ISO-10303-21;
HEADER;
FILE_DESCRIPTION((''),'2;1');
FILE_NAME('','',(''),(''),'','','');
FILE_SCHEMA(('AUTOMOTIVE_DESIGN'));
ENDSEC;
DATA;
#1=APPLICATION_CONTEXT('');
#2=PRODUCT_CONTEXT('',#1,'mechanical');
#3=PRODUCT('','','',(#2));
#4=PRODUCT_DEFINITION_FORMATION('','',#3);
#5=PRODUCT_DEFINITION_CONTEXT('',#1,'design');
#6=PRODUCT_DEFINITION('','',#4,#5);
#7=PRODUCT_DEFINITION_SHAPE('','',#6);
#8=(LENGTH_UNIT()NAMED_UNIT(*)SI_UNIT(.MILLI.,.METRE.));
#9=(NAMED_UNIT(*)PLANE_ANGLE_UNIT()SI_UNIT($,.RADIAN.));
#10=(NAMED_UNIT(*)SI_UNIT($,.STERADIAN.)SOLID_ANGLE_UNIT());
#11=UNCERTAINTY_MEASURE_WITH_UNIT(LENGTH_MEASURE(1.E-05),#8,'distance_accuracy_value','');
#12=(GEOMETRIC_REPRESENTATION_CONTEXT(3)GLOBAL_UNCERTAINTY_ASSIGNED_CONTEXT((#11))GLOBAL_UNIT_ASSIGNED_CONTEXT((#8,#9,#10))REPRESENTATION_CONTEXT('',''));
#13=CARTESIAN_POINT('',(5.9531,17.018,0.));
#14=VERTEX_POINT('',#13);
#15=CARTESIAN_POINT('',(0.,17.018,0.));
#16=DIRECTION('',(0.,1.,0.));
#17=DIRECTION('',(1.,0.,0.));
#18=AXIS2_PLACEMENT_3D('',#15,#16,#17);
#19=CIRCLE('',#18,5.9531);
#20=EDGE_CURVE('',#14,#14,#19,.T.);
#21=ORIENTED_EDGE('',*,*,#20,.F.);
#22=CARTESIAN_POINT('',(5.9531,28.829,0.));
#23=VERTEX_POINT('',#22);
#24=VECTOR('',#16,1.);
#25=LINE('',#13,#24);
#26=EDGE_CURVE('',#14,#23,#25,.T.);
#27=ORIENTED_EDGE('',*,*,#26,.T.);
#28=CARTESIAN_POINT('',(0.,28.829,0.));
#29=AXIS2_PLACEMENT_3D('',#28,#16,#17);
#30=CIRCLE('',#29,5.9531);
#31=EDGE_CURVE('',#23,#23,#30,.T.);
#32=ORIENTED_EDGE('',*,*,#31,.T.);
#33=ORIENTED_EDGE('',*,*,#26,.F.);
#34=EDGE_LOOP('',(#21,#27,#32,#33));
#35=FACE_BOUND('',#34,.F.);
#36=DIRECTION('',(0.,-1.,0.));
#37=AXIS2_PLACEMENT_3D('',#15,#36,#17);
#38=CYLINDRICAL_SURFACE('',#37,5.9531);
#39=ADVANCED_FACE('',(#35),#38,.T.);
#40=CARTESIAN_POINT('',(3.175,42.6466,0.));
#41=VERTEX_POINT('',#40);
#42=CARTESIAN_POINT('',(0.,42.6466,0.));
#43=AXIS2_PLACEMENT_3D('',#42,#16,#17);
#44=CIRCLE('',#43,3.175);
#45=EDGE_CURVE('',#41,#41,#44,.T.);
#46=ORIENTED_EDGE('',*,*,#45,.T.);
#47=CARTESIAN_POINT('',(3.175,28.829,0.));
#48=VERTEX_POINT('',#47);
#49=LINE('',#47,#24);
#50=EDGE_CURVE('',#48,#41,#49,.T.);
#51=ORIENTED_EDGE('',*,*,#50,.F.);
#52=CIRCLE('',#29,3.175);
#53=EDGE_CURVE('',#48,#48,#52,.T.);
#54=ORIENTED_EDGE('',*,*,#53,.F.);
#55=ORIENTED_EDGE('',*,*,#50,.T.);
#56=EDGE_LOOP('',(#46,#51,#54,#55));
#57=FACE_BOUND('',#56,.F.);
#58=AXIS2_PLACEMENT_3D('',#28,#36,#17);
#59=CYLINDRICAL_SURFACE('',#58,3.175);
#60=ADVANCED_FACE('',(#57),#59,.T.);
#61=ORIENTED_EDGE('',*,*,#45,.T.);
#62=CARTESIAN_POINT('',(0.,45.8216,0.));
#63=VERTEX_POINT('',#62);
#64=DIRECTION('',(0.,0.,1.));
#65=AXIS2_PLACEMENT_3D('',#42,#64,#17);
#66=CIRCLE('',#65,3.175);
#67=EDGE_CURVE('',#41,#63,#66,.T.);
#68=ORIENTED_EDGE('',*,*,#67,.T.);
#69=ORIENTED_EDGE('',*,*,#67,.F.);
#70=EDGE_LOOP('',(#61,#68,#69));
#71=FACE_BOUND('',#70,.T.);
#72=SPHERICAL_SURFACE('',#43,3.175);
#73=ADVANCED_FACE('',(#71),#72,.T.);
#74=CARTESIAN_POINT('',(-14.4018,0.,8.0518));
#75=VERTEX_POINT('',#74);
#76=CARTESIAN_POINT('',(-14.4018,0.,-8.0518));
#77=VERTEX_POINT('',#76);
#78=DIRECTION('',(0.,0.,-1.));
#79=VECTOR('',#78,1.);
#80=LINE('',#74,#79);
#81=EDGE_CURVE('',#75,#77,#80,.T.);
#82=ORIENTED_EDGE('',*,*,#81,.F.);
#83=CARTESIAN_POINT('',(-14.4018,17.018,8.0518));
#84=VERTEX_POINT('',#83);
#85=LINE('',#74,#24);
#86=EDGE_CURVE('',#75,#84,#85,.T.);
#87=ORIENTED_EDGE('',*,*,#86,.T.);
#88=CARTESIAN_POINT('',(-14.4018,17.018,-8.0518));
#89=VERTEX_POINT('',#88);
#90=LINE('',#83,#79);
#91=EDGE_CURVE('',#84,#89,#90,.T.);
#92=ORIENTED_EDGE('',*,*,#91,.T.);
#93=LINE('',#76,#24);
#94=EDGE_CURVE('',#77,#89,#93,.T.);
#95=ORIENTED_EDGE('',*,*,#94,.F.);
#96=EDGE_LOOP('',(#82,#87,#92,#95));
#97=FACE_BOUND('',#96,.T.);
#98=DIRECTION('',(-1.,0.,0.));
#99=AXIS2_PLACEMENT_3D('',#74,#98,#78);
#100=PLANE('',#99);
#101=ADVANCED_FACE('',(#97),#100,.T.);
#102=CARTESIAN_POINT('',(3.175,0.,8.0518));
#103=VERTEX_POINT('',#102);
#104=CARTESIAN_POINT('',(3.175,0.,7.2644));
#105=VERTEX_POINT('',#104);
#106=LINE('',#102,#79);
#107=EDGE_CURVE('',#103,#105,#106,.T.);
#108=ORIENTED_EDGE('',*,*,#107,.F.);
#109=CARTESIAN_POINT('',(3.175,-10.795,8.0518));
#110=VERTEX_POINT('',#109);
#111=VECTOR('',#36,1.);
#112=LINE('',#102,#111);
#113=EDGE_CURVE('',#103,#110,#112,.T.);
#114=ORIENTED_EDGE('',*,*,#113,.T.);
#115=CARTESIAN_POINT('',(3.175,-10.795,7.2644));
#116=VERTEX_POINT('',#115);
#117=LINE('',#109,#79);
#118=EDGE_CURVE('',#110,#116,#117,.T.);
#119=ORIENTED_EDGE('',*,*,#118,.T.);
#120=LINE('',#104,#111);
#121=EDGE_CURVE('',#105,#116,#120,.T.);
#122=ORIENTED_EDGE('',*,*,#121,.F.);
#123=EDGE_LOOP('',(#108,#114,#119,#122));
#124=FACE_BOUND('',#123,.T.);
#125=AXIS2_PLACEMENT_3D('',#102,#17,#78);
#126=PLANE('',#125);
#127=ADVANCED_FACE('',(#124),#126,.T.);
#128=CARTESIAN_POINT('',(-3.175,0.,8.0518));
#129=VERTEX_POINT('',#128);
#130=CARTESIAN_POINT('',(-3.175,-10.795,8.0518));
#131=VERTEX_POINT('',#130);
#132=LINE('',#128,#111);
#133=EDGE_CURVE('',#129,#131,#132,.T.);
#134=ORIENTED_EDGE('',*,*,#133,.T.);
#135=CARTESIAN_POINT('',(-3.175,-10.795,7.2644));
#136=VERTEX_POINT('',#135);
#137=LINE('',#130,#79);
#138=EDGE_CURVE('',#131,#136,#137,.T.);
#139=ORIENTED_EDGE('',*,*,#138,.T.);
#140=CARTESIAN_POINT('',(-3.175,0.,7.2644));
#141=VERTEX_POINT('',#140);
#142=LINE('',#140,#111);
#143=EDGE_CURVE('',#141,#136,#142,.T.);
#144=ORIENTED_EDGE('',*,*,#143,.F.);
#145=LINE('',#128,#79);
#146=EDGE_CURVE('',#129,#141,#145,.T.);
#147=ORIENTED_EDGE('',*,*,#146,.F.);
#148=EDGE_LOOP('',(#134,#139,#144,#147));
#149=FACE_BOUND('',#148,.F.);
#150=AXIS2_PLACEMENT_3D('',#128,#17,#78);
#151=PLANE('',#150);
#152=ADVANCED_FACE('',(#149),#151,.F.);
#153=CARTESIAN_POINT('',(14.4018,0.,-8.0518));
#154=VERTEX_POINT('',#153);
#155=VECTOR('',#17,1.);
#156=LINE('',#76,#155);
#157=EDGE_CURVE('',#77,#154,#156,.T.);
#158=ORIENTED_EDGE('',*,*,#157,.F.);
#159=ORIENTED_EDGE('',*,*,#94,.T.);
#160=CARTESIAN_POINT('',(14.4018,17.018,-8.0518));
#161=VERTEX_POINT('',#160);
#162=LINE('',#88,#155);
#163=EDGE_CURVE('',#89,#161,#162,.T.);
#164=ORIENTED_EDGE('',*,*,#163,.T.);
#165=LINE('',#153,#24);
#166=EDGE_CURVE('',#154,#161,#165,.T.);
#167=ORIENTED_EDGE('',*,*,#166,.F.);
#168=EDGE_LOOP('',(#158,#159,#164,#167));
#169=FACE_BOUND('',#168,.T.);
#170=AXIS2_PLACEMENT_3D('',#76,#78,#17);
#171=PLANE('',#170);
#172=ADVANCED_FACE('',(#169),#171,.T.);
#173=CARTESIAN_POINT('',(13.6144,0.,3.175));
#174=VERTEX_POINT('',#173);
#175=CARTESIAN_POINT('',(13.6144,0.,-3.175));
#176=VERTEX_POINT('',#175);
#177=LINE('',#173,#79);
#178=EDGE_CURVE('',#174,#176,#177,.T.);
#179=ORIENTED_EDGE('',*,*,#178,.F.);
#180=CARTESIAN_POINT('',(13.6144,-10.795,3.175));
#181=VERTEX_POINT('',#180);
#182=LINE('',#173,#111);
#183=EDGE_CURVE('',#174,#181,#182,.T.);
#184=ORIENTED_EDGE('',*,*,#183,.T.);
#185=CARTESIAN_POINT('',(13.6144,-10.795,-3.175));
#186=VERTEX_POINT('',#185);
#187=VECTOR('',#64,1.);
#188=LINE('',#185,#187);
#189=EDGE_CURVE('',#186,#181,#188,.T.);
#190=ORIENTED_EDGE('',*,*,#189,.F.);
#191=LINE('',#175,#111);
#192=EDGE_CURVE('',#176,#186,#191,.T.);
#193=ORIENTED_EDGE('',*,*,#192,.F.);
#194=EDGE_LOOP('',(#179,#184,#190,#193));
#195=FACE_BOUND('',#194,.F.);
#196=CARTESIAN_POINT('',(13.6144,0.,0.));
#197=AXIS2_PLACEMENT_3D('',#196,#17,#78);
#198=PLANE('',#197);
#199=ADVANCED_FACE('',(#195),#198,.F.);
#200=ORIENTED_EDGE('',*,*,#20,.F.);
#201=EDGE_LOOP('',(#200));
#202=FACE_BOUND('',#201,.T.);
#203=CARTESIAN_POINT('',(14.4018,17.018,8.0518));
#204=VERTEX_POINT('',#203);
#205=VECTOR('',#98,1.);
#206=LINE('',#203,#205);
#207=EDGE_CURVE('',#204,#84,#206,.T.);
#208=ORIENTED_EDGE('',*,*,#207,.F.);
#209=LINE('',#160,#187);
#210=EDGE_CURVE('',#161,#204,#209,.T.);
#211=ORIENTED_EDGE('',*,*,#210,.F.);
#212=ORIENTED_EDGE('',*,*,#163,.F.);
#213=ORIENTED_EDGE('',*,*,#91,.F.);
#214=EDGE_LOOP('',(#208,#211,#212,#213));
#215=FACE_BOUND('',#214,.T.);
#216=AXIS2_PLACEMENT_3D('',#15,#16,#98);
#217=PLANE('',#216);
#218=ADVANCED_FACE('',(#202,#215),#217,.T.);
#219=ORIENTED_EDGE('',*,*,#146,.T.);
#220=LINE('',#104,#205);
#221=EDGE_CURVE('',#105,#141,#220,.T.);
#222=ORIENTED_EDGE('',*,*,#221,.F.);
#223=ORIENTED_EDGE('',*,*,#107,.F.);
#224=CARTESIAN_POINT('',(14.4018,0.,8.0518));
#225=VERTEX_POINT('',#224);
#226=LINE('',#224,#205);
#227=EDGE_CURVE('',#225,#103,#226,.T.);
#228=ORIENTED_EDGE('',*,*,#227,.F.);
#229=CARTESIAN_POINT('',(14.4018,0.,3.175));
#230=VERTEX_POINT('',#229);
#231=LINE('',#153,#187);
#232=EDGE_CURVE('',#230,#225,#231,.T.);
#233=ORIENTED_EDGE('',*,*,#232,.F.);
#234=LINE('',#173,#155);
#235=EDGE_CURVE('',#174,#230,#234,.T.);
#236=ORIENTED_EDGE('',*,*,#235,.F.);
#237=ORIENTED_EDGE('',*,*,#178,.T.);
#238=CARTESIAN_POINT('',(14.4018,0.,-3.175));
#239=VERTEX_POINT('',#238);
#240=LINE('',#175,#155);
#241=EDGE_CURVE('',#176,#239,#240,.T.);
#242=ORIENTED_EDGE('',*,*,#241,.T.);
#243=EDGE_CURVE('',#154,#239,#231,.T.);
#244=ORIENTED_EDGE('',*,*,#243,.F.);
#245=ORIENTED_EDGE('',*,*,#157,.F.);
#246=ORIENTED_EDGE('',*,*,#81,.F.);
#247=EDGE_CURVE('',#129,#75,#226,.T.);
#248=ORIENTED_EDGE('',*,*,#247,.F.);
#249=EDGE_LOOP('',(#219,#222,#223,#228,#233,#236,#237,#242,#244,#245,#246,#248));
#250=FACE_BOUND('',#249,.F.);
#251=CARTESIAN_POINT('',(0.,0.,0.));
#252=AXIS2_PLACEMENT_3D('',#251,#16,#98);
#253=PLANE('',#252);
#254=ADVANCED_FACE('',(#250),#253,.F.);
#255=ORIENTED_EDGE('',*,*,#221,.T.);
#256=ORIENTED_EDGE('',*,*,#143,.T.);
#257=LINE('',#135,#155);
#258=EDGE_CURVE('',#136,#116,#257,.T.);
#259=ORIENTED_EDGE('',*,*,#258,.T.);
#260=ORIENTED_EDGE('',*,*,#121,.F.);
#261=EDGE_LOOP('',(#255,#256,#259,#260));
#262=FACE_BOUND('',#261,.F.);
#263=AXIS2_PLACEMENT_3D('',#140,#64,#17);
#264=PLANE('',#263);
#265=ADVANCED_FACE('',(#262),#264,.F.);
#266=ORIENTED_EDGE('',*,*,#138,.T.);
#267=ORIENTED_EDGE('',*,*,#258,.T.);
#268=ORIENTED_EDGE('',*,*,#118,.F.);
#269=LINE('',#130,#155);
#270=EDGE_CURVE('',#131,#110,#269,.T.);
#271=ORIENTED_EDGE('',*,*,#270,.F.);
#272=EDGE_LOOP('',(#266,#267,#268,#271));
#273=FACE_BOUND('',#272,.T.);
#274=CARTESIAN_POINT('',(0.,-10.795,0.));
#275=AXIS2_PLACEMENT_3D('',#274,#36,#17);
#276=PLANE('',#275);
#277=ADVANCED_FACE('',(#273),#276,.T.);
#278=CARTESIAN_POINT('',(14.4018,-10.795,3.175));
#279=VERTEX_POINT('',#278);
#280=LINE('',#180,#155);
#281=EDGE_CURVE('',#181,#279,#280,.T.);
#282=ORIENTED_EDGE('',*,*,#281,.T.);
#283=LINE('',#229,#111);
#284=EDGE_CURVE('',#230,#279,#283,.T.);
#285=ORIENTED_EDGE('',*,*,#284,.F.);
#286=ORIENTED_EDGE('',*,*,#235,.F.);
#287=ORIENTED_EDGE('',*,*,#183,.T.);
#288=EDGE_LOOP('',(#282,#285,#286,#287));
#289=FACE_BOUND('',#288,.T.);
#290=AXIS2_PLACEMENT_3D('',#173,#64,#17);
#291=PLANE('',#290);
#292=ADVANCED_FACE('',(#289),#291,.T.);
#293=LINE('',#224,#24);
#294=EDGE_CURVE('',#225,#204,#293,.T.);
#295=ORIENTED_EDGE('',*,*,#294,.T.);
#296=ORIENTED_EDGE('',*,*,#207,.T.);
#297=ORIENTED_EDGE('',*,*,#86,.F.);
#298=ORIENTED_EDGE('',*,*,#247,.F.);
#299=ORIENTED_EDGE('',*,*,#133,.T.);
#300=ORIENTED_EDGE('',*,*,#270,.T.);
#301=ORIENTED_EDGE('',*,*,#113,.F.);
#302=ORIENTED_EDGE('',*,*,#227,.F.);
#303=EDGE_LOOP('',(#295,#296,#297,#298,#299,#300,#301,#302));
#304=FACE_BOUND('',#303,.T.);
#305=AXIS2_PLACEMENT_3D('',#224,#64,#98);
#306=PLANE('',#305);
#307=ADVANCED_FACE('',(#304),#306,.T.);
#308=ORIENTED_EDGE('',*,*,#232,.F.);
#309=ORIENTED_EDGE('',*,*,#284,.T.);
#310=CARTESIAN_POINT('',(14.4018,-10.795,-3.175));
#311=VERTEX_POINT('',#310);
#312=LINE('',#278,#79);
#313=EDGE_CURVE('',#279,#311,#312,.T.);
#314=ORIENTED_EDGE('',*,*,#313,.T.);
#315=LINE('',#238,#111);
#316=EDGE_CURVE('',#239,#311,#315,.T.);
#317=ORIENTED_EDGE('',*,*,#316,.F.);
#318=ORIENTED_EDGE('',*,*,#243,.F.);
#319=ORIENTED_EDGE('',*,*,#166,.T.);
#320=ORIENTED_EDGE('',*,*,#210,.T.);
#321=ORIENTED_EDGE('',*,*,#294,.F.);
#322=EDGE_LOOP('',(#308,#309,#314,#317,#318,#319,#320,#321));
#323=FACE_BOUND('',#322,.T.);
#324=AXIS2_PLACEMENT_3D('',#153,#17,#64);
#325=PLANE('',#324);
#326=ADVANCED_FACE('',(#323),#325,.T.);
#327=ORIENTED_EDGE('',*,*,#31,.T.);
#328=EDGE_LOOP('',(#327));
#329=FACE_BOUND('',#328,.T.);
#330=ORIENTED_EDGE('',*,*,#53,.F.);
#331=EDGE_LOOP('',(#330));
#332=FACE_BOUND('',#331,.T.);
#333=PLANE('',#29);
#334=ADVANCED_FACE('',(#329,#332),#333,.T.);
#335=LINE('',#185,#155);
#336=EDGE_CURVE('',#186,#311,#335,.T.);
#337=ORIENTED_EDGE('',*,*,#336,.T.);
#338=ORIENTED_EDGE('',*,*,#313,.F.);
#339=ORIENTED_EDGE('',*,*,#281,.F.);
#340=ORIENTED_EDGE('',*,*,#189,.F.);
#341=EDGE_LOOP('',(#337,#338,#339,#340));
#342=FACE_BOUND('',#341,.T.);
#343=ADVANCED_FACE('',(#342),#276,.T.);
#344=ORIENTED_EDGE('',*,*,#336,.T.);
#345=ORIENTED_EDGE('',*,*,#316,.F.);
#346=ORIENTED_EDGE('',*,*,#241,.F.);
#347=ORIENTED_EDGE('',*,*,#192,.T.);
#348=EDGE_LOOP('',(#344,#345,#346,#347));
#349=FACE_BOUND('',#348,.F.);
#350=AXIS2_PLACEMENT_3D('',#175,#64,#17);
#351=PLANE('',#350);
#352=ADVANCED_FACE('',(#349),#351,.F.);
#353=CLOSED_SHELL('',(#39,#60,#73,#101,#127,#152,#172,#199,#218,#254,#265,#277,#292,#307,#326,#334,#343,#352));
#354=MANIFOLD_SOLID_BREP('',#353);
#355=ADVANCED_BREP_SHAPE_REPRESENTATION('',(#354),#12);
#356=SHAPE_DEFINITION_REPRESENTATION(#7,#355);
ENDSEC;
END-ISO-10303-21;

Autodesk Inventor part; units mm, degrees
ref_plane "YZ Plane" through (0, 0, 0) normal (1, 0, 0) x (0, 1, 0)
ref_plane "XZ Plane" through (0, 0, 0) normal (0, 1, 0) x (-1, 0, 0)
ref_plane "XY Plane" through (0, 0, 0) normal (0, 0, 1) x (1, 0, 0)
sketch "Sketch1" plane through (0, 0, 0) normal (0, 1, 0) x (-1, 0, 0)
  line L0 (-14.4018, 8.0518) -> (14.4018, 8.0518)
  line L1 (14.4018, 8.0518) -> (14.4018, -8.0518)
  line L2 (14.4018, -8.0518) -> (-14.4018, -8.0518)
  line L3 (-14.4018, -8.0518) -> (-14.4018, 8.0518)
  line L4 (-14.4018, 8.0518) -> (14.4018, -8.0518) construction
  line L5 (14.4018, 8.0518) -> (-14.4018, -8.0518) construction
  point P0 (0, 0)
  dimension "d0" = 28.8036
  dimension "d1" = 16.1036
extrude "Extrusion1" add sketch "Sketch1" along normal blind 17.018
sketch "Sketch2" plane through (0, 17.018, 0) normal (0, 1, 0) x (1, 0, 0)
  circle A0 centre (0, 0) radius 5.9531
  dimension "d4" = 11.9062
extrude "Extrusion2" add sketch "Sketch2" along normal blind 11.811
sketch "Sketch3" plane through (0, 28.829, 0) normal (0, 1, 0) x (1, 0, 0)
  circle A0 centre (0, 0) radius 3.175
  dimension "d7" = 6.35
extrude "Extrusion3" add sketch "Sketch3" along normal blind 16.9926
fillet "Fillet1" radius 3.175 1 edges at (-3.175, 45.8216, 0)
sketch "Sketch4" plane through (0, 0, 0) normal (0, -1, 0) x (1, 0, 0)
  line L0 (-14.4018, 8.0518) -> (14.4018, 8.0518) projected
  line L1 (0, 8.0518) -> (3.175, 8.0518)
  line L2 (3.175, 8.0518) -> (3.175, 7.2644)
  line L3 (3.175, 7.2644) -> (0, 7.2644)
  line L4 (0, 7.2644) -> (0, 8.0518)
  line L5 (0, 8.0518) -> (-3.175, 8.0518)
  line L6 (-3.175, 8.0518) -> (-3.175, 7.2644)
  line L7 (-3.175, 7.2644) -> (0, 7.2644)
  point P0 (0, 0)
  dimension "d11" = 3.175
  dimension "d12" = 0.7874
extrude "Extrusion4" add sketch "Sketch4" along normal blind 10.795
sketch "Sketch5" plane through (0, 0, 0) normal (0, -1, 0) x (1, 0, 0)
  line L0 (14.4018, -8.0518) -> (14.4018, 8.0518) projected
  line L1 (14.4018, 0) -> (13.6144, 0)
  line L2 (13.6144, 0) -> (13.6144, 3.175)
  line L3 (13.6144, 3.175) -> (14.4018, 3.175)
  line L4 (14.4018, 3.175) -> (14.4018, 0)
  line L5 (13.6144, 0) -> (13.6144, -3.175)
  line L6 (13.6144, -3.175) -> (14.4018, -3.175)
  line L7 (14.4018, -3.175) -> (14.4018, 0)
  point P0 (0, 0)
  dimension "d15" = 0.7874
  dimension "d16" = 3.175
extrude "Extrusion5" add sketch "Sketch5" along normal blind 10.795
properties part number "switch toggle"
